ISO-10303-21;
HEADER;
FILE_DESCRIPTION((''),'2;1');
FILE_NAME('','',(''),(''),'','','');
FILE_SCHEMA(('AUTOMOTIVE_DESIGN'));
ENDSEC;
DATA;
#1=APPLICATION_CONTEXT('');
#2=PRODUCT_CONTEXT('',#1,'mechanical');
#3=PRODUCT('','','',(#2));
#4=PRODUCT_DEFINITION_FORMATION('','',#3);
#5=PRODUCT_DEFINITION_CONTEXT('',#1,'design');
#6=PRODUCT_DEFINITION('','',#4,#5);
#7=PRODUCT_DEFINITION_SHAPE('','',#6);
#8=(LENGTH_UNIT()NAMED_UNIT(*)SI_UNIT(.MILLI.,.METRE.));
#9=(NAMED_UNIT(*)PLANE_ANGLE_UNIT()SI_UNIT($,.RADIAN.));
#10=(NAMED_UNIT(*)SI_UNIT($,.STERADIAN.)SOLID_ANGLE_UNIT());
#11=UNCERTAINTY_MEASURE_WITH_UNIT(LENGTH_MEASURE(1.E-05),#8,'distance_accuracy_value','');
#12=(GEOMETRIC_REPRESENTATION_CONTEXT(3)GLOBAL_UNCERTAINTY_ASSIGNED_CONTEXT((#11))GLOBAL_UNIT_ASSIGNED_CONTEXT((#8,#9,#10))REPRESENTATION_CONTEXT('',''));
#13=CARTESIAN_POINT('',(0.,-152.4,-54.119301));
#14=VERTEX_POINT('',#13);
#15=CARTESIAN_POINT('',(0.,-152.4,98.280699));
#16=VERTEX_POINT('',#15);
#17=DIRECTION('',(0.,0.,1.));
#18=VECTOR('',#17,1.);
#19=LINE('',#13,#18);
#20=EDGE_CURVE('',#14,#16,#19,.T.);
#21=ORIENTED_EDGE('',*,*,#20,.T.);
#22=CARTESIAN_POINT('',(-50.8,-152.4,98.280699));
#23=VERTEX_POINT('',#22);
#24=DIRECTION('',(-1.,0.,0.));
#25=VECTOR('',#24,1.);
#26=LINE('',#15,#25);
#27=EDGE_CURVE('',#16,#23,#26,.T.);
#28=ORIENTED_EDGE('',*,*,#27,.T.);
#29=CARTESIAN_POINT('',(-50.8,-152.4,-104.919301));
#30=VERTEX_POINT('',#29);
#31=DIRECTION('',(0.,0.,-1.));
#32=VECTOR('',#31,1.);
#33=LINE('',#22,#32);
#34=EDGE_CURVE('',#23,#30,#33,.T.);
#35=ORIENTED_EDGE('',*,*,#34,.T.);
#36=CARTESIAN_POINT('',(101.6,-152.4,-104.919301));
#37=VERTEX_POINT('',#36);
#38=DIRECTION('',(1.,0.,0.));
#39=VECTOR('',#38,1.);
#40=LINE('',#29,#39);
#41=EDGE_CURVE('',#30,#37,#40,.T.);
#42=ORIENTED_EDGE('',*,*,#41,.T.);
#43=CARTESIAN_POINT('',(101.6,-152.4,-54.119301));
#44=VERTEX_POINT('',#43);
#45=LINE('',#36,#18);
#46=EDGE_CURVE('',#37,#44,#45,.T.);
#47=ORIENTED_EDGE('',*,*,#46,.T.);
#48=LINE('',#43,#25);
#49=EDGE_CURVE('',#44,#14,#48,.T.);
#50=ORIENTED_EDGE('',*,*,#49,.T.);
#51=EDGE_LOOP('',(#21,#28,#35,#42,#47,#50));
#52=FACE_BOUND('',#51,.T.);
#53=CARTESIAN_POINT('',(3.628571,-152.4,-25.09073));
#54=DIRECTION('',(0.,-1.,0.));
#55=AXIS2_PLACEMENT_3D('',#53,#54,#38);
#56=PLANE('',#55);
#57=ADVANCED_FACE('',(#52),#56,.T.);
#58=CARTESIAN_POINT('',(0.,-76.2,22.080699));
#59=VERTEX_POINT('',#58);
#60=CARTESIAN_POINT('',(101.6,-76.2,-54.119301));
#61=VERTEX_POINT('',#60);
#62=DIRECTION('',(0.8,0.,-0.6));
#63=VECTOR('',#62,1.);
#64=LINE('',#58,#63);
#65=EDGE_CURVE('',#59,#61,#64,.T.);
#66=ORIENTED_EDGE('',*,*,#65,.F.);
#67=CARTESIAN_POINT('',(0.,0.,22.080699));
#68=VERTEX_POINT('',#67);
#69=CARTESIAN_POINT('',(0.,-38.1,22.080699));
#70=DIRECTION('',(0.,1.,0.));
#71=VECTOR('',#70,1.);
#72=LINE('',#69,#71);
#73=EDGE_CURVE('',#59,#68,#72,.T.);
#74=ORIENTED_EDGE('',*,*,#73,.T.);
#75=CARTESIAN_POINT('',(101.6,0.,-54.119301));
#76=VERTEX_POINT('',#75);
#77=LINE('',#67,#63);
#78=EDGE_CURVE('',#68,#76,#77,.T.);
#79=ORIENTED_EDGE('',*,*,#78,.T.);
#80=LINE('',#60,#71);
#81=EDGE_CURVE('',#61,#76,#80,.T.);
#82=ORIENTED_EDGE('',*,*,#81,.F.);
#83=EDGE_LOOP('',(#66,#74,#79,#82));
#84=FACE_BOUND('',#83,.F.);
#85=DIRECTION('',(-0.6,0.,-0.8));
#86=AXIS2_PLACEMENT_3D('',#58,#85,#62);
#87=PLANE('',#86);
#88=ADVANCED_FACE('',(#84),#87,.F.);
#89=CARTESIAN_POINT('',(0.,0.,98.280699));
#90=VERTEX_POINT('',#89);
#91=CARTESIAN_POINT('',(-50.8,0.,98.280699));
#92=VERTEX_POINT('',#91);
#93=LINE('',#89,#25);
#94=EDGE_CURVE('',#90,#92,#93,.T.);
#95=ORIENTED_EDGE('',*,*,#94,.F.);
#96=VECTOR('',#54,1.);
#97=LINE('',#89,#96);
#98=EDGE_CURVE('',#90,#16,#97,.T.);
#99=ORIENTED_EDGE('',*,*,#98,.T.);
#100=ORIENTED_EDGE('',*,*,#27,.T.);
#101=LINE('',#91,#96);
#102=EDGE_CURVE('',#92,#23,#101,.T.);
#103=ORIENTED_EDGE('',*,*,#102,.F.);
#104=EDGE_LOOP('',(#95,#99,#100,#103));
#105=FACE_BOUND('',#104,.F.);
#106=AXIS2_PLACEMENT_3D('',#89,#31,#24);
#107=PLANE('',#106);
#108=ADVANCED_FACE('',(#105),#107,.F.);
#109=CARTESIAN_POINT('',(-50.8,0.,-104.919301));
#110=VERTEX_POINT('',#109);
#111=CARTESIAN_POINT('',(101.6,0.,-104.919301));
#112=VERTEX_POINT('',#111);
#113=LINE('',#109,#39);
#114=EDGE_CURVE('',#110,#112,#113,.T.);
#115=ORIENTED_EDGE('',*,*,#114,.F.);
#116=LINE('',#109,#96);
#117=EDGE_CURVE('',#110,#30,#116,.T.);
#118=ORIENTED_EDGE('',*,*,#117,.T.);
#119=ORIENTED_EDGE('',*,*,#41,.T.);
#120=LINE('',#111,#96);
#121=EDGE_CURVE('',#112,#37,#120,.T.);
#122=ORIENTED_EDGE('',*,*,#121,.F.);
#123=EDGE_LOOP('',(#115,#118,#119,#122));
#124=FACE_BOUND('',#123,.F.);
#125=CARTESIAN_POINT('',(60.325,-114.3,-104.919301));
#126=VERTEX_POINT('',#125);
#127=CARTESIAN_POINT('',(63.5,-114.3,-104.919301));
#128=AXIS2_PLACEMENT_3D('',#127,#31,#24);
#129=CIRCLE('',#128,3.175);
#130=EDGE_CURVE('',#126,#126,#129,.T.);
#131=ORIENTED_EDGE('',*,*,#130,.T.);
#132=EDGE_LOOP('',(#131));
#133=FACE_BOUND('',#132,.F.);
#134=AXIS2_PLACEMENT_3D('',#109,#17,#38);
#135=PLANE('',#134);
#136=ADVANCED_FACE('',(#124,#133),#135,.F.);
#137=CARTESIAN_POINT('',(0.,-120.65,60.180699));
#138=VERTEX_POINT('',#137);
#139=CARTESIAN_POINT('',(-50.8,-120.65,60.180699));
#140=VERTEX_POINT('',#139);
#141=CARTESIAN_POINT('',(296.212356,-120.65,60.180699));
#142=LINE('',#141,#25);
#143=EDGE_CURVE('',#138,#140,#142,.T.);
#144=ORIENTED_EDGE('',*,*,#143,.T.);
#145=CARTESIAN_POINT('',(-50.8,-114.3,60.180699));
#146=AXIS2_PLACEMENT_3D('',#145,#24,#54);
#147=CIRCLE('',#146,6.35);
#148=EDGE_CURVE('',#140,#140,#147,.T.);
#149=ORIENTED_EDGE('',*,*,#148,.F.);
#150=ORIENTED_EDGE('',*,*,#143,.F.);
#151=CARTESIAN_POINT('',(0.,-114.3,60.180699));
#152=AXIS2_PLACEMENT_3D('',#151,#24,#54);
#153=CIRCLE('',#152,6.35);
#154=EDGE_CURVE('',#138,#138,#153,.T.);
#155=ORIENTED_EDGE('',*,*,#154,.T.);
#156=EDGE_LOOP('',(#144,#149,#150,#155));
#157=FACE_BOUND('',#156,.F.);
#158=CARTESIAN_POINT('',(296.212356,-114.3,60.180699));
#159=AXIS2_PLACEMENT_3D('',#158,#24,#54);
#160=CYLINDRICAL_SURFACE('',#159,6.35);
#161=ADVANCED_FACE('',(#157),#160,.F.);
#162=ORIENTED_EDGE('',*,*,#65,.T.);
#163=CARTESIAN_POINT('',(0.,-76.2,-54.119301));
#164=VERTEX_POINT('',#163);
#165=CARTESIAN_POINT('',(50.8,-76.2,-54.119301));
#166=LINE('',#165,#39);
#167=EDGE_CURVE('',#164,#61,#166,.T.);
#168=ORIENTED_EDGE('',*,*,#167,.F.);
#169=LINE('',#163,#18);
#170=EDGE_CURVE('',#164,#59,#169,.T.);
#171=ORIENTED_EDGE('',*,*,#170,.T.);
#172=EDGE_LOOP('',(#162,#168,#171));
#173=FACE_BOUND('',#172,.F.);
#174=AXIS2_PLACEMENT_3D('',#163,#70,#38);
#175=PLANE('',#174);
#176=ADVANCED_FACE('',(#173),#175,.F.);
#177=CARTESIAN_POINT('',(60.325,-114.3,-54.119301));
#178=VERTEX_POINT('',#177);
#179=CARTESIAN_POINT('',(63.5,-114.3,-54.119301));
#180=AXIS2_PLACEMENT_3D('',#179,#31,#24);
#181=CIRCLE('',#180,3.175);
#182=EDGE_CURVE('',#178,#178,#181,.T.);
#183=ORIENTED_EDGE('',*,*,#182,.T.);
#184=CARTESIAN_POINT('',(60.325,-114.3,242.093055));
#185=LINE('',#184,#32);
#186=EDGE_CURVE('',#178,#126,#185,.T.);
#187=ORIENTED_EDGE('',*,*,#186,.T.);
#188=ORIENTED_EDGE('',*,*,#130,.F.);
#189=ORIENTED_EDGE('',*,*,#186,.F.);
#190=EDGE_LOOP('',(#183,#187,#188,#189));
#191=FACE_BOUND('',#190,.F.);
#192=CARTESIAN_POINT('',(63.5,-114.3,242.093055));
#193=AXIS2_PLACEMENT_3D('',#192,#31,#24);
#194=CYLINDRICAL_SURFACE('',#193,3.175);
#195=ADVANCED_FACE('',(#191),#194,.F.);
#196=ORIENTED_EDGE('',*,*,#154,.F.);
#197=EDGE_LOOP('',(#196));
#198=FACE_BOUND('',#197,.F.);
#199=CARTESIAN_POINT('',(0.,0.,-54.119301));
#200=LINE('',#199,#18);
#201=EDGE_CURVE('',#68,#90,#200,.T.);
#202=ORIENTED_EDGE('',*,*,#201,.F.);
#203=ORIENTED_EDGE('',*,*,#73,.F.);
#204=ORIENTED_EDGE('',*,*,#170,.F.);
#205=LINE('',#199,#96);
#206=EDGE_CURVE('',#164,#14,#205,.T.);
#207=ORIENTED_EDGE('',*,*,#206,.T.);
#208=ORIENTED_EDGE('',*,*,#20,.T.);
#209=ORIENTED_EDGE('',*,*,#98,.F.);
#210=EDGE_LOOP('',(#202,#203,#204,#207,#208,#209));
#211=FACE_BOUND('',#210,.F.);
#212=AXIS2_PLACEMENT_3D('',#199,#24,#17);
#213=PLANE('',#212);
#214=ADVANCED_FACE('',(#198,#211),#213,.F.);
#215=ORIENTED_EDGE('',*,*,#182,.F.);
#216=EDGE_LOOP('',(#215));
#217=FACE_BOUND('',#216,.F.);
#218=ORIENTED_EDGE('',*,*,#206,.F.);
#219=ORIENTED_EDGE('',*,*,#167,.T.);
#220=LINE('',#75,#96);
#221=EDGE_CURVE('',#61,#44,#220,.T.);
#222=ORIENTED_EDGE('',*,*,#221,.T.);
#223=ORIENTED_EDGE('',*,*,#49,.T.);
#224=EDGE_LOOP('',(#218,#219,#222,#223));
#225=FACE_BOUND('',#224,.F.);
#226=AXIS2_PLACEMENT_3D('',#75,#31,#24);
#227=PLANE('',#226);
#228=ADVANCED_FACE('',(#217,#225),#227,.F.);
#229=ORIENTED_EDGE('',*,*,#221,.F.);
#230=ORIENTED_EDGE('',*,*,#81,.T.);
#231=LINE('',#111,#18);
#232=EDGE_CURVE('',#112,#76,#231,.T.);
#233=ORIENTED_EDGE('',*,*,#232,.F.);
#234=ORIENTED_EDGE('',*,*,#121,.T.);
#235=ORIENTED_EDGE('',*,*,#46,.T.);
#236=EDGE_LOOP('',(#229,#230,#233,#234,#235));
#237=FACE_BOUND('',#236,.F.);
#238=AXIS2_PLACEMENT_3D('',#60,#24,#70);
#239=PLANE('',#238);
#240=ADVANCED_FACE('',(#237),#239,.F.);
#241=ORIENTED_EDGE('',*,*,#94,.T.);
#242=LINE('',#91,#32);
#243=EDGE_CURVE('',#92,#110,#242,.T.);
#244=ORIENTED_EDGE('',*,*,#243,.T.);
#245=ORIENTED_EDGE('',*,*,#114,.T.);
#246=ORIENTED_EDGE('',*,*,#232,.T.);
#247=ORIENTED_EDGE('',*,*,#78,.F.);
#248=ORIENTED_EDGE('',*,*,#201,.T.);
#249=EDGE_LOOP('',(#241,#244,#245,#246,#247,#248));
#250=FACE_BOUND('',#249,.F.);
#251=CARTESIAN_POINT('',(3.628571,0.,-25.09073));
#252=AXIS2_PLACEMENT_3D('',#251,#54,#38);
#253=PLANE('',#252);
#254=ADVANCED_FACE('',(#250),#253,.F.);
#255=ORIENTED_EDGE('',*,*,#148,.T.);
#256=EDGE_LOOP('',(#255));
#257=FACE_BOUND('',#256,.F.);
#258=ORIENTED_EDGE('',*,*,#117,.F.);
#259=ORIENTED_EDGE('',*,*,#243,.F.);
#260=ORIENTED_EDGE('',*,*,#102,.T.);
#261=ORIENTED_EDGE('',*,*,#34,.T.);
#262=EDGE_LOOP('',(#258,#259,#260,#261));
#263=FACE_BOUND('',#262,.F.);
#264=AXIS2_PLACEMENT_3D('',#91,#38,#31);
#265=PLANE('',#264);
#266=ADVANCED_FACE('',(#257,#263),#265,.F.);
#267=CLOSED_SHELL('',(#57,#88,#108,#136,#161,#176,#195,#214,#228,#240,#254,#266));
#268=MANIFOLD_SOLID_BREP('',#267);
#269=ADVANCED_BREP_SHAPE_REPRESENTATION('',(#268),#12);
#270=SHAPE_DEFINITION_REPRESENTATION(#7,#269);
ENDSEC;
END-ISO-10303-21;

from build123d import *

# Parameters (mm, degrees)
F1_DEPTH = 152.4
F2_W     = 101.6
F2_H     = 76.2
F3_DEPTH = 76.2
F5_DEPTH = 76.2
F8_D     = 12.7
F9_D     = 6.35


with BuildPart() as f1:
    # F0 (on Front) → F1 (new body)
    with BuildSketch(Plane.XZ):
        Polygon((0, 98.280699), (-50.8, 98.280699), (-50.8, -104.919301), (101.6, -104.919301), (101.6, -54.119301), (0, -54.119301), align=None)
    extrude(amount=F1_DEPTH)

    # F2 (on face) → F3 (join)
    with BuildSketch(Plane.XY.offset(-54.119301)):
        with Locations((50.8, -38.1)):
            Rectangle(F2_W, F2_H)
    extrude(amount=F3_DEPTH)

    # F4 (on face) → F5 (cut)
    with BuildSketch(Plane.XZ.offset(76.2)):
        Polygon((101.6, 22.080699), (0, 22.080699), (101.6, -54.119301), align=None)
    extrude(amount=-F5_DEPTH, mode=Mode.SUBTRACT)

    # F8 (through all)
    with Locations(Plane.YZ):
        with Locations((-114.3, 60.180699)):
            Hole(F8_D / 2)

    # F9 (through all)
    with Locations(Plane.XY.offset(-54.119301)):
        with Locations((63.5, -114.3)):
            Hole(F9_D / 2)


solid = f1.part
